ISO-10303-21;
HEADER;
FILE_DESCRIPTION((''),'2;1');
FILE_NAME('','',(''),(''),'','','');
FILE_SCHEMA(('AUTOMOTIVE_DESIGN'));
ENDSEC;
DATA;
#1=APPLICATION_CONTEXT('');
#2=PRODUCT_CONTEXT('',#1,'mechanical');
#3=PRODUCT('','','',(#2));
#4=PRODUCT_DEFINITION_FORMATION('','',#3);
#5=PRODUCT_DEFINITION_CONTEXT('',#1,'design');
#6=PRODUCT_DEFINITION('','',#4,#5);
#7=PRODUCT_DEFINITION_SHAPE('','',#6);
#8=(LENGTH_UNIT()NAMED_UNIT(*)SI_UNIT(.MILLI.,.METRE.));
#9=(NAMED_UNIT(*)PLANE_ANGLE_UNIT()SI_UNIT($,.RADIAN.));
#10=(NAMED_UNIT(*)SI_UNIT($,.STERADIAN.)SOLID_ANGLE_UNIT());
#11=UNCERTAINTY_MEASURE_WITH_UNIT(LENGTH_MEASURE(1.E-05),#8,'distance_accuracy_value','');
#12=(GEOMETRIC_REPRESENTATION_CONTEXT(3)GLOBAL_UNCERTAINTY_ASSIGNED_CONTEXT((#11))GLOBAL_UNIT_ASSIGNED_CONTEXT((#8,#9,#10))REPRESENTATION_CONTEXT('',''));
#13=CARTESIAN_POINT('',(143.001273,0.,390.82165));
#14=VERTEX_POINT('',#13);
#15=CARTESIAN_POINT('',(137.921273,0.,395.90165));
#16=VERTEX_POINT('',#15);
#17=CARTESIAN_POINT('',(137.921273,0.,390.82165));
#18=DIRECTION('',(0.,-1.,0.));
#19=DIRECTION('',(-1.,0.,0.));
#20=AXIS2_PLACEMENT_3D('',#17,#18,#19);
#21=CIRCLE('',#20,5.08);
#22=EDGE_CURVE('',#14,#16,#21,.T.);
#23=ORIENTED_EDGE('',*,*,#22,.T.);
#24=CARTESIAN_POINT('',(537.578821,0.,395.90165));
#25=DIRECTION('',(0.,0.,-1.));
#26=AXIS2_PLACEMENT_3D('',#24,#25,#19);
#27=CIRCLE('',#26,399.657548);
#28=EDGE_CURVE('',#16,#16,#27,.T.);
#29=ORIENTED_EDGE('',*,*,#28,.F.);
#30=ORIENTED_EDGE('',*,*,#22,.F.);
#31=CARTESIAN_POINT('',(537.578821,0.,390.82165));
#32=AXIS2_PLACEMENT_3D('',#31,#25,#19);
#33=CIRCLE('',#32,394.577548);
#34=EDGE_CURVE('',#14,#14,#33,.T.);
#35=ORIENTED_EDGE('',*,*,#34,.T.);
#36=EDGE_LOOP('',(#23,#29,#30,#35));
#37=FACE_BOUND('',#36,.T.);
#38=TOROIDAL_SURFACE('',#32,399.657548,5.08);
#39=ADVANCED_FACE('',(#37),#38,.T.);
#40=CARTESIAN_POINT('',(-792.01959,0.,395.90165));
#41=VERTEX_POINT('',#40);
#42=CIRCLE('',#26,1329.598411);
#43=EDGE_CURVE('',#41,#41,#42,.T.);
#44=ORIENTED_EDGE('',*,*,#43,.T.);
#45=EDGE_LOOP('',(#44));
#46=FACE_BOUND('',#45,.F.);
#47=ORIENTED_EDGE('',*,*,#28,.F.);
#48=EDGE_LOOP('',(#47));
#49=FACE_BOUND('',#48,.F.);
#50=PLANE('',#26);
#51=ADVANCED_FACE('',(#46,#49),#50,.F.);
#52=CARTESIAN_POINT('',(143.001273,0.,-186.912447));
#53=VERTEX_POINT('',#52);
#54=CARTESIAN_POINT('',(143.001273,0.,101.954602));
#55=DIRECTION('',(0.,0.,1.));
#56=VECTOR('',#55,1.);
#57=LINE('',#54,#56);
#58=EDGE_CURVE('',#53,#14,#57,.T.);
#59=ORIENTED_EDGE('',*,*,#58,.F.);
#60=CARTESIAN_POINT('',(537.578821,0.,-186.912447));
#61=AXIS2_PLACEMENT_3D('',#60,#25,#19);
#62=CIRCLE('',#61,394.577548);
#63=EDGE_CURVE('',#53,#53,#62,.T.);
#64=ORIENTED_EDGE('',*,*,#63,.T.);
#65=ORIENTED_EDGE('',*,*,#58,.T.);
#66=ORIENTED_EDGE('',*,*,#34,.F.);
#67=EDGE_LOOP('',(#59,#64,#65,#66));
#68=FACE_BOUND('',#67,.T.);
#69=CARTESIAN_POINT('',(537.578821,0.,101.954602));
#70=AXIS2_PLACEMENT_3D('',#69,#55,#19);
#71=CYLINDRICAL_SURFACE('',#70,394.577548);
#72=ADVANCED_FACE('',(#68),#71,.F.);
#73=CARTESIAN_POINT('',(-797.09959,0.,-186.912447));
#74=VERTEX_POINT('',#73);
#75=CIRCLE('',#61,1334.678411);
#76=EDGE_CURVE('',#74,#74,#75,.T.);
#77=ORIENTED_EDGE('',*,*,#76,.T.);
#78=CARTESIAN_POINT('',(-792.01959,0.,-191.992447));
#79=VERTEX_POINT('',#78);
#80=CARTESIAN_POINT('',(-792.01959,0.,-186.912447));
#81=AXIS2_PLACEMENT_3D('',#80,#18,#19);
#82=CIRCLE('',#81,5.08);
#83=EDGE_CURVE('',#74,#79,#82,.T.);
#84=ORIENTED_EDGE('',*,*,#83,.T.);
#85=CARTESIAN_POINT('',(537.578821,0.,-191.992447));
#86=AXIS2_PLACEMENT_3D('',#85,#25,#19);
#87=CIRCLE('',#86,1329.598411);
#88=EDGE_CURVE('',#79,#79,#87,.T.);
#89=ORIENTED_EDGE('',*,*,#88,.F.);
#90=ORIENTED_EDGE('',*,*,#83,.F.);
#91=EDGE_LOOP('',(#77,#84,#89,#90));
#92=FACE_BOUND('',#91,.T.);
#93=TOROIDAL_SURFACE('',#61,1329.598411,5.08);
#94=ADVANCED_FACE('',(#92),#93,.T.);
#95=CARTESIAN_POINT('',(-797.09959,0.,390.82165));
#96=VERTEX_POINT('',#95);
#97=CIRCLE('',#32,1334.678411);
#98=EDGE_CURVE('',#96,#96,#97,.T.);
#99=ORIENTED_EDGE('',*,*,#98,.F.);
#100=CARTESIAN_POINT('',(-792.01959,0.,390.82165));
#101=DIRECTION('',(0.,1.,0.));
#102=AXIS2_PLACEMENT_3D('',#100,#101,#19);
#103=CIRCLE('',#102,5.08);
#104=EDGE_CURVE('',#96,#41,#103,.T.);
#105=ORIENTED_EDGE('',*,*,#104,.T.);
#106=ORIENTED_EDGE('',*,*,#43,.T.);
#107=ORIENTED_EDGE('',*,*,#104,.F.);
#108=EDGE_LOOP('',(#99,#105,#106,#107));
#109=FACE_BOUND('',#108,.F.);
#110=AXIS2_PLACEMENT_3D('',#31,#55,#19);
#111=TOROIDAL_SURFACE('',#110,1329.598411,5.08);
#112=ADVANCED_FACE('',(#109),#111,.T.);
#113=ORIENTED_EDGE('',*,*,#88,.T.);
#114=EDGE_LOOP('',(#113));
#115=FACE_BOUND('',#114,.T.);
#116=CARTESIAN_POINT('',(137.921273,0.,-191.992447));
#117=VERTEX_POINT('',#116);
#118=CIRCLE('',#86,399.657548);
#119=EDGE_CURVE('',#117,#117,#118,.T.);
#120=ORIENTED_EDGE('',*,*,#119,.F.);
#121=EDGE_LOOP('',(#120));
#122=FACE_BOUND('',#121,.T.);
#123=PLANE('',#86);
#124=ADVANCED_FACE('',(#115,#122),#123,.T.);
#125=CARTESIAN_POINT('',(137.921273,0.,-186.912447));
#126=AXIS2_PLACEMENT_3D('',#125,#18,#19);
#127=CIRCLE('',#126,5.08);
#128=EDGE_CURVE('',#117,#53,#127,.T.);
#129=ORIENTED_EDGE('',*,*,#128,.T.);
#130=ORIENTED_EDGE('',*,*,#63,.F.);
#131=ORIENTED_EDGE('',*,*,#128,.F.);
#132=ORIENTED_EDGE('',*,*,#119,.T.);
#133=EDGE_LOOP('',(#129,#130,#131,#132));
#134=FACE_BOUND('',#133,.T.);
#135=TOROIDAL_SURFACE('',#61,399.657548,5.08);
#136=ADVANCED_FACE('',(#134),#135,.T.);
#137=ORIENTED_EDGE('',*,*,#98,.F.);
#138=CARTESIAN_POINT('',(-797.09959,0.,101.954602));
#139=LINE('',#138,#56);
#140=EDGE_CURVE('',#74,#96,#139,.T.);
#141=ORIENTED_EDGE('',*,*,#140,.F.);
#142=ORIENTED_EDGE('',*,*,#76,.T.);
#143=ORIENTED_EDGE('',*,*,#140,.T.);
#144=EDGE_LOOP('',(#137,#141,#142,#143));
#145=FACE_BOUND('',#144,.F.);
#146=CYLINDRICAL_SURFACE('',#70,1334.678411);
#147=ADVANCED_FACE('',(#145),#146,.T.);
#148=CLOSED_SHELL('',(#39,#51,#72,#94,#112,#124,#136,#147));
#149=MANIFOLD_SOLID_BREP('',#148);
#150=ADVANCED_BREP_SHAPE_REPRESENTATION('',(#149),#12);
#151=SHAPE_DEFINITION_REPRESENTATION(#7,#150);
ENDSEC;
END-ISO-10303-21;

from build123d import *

# Parameters (mm, degrees)
F0_W = 940.1008635759
F0_H = 587.8940969706
F2_R = 5.08


with BuildPart() as f1:
    # F0 (on Front) → F1 (revolve)
    with BuildSketch(Plane.XZ):
        with Locations((-327.0491585135, 101.9546017051)):
            Rectangle(F0_W, F0_H)
    revolve(axis=Axis((537.5788211823, 0, 63.5561272502), (0, 0, -1)))

    # F2
    f2_edges = [f1.edges().sort_by_distance(p)[0] for p in [
        (1872.257233, 0, -191.992447),
        (932.156369, 0, -191.992447),
        (1872.257233, 0, 395.90165),
        (-797.09959, 0, 101.954602),
        (932.156369, 0, 395.90165),
    ]]
    fillet(f2_edges, radius=F2_R)


solid = f1.part
